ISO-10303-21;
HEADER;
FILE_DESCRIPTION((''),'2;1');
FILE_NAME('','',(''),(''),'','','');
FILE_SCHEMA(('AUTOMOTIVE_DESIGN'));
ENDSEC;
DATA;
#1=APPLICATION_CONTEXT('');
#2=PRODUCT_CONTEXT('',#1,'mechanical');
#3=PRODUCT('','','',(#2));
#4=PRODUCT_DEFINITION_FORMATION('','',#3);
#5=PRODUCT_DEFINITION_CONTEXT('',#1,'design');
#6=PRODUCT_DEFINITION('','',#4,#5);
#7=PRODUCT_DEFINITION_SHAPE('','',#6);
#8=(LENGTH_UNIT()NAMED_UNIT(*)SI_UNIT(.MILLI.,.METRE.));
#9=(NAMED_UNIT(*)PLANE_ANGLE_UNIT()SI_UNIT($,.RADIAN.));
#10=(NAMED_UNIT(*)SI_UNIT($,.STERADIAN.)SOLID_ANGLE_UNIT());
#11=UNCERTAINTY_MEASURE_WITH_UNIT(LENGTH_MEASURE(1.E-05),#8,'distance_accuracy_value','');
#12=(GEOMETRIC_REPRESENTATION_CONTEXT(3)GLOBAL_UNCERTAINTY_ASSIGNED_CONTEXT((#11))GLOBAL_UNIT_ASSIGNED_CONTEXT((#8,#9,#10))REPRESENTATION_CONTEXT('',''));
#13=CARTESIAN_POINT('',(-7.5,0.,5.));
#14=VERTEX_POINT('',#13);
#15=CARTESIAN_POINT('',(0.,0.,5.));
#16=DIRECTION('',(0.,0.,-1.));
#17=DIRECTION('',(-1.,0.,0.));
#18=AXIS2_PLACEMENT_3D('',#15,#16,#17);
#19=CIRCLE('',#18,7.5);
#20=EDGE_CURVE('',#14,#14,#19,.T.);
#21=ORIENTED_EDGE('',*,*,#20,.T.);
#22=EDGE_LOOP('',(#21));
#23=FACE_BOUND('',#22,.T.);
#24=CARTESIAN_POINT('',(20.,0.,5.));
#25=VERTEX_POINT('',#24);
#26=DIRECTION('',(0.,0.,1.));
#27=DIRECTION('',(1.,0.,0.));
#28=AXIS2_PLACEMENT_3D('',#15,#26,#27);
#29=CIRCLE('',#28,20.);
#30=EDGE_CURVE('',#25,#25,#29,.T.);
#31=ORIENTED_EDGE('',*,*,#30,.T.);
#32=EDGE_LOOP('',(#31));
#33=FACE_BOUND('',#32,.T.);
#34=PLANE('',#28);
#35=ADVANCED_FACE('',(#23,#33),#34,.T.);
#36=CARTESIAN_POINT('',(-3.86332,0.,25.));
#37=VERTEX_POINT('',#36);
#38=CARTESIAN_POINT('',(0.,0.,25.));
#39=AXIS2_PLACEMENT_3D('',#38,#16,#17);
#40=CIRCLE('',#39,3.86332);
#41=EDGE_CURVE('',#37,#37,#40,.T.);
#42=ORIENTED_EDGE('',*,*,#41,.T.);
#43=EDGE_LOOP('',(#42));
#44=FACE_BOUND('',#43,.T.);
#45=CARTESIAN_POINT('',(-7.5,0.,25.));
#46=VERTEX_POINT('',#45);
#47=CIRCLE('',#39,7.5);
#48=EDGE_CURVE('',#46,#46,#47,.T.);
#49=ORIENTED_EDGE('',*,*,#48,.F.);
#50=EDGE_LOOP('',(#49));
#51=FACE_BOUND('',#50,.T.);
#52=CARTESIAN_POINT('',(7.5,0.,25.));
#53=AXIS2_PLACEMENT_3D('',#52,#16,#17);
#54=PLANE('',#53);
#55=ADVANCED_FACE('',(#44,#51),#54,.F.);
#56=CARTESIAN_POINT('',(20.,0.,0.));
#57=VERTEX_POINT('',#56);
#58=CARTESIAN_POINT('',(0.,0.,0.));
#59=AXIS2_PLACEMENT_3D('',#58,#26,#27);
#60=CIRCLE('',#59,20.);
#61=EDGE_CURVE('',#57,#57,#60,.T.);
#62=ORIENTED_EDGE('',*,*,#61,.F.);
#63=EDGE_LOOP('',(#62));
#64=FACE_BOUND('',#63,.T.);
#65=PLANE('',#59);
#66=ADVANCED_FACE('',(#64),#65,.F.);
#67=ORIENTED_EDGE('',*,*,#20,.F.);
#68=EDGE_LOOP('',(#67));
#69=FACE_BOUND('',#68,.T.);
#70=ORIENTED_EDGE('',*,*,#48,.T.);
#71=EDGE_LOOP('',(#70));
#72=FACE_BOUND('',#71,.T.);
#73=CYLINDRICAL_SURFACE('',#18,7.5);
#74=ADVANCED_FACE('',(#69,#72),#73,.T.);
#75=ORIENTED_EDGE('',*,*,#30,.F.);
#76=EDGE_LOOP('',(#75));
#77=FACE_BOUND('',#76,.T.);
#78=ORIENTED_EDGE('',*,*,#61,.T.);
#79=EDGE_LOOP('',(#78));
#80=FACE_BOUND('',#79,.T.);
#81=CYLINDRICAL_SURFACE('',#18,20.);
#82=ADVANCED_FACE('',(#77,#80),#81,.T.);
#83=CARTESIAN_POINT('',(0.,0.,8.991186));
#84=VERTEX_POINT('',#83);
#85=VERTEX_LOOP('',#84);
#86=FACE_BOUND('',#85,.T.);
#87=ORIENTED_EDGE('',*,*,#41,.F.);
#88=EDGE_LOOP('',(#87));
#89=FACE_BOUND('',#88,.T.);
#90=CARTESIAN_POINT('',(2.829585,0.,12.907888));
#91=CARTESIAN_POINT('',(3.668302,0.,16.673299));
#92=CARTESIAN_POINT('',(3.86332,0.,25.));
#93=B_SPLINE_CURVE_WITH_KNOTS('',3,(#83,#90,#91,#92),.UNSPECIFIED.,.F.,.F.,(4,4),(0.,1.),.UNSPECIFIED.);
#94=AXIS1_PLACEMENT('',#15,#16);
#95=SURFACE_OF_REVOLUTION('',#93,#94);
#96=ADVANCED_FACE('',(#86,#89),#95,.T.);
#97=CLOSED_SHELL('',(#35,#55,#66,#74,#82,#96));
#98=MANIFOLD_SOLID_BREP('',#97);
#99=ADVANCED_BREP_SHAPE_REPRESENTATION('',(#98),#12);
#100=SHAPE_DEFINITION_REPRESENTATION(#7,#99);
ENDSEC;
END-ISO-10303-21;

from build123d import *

# Parameters (mm, degrees)
SKETCH1_R           = 20
BOSS_EXTRUDE1_DEPTH = 5


with BuildPart() as part:
    # Sketch1 → Boss-Extrude1 (new body)
    with BuildSketch(Plane.XY):
        Circle(SKETCH1_R)
    extrude(amount=BOSS_EXTRUDE1_DEPTH)

    # Sketch2 → Revolve1 (revolve)
    with BuildSketch(Plane(origin=(0, 0, 0), x_dir=(1, 0, 0), z_dir=(0, 1, 0)), mode=Mode.PRIVATE) as revolve1_sk:
        with BuildLine():
            Line((7.5, -5), (7.5, -25))
            Line((7.5, -25), (3.863319769, -25))
            add(Edge.make_bspline(
                [(3.863319769, -25), (3.668301711, -16.673299189), (2.829585222, -12.90788833), (0, -8.991185618)],
                knots=[0, 0, 0, 0, 1, 1, 1, 1], degree=3))
            Line((0, -8.991185618), (0, -5))
            Line((0, -5), (7.5, -5))
        make_face()
    revolve(revolve1_sk.sketch.rotate(Axis((0, 0, 5), (0, 0, 1)), 180), axis=Axis((0, 0, 5), (0, 0, 1)))


solid = part.part
